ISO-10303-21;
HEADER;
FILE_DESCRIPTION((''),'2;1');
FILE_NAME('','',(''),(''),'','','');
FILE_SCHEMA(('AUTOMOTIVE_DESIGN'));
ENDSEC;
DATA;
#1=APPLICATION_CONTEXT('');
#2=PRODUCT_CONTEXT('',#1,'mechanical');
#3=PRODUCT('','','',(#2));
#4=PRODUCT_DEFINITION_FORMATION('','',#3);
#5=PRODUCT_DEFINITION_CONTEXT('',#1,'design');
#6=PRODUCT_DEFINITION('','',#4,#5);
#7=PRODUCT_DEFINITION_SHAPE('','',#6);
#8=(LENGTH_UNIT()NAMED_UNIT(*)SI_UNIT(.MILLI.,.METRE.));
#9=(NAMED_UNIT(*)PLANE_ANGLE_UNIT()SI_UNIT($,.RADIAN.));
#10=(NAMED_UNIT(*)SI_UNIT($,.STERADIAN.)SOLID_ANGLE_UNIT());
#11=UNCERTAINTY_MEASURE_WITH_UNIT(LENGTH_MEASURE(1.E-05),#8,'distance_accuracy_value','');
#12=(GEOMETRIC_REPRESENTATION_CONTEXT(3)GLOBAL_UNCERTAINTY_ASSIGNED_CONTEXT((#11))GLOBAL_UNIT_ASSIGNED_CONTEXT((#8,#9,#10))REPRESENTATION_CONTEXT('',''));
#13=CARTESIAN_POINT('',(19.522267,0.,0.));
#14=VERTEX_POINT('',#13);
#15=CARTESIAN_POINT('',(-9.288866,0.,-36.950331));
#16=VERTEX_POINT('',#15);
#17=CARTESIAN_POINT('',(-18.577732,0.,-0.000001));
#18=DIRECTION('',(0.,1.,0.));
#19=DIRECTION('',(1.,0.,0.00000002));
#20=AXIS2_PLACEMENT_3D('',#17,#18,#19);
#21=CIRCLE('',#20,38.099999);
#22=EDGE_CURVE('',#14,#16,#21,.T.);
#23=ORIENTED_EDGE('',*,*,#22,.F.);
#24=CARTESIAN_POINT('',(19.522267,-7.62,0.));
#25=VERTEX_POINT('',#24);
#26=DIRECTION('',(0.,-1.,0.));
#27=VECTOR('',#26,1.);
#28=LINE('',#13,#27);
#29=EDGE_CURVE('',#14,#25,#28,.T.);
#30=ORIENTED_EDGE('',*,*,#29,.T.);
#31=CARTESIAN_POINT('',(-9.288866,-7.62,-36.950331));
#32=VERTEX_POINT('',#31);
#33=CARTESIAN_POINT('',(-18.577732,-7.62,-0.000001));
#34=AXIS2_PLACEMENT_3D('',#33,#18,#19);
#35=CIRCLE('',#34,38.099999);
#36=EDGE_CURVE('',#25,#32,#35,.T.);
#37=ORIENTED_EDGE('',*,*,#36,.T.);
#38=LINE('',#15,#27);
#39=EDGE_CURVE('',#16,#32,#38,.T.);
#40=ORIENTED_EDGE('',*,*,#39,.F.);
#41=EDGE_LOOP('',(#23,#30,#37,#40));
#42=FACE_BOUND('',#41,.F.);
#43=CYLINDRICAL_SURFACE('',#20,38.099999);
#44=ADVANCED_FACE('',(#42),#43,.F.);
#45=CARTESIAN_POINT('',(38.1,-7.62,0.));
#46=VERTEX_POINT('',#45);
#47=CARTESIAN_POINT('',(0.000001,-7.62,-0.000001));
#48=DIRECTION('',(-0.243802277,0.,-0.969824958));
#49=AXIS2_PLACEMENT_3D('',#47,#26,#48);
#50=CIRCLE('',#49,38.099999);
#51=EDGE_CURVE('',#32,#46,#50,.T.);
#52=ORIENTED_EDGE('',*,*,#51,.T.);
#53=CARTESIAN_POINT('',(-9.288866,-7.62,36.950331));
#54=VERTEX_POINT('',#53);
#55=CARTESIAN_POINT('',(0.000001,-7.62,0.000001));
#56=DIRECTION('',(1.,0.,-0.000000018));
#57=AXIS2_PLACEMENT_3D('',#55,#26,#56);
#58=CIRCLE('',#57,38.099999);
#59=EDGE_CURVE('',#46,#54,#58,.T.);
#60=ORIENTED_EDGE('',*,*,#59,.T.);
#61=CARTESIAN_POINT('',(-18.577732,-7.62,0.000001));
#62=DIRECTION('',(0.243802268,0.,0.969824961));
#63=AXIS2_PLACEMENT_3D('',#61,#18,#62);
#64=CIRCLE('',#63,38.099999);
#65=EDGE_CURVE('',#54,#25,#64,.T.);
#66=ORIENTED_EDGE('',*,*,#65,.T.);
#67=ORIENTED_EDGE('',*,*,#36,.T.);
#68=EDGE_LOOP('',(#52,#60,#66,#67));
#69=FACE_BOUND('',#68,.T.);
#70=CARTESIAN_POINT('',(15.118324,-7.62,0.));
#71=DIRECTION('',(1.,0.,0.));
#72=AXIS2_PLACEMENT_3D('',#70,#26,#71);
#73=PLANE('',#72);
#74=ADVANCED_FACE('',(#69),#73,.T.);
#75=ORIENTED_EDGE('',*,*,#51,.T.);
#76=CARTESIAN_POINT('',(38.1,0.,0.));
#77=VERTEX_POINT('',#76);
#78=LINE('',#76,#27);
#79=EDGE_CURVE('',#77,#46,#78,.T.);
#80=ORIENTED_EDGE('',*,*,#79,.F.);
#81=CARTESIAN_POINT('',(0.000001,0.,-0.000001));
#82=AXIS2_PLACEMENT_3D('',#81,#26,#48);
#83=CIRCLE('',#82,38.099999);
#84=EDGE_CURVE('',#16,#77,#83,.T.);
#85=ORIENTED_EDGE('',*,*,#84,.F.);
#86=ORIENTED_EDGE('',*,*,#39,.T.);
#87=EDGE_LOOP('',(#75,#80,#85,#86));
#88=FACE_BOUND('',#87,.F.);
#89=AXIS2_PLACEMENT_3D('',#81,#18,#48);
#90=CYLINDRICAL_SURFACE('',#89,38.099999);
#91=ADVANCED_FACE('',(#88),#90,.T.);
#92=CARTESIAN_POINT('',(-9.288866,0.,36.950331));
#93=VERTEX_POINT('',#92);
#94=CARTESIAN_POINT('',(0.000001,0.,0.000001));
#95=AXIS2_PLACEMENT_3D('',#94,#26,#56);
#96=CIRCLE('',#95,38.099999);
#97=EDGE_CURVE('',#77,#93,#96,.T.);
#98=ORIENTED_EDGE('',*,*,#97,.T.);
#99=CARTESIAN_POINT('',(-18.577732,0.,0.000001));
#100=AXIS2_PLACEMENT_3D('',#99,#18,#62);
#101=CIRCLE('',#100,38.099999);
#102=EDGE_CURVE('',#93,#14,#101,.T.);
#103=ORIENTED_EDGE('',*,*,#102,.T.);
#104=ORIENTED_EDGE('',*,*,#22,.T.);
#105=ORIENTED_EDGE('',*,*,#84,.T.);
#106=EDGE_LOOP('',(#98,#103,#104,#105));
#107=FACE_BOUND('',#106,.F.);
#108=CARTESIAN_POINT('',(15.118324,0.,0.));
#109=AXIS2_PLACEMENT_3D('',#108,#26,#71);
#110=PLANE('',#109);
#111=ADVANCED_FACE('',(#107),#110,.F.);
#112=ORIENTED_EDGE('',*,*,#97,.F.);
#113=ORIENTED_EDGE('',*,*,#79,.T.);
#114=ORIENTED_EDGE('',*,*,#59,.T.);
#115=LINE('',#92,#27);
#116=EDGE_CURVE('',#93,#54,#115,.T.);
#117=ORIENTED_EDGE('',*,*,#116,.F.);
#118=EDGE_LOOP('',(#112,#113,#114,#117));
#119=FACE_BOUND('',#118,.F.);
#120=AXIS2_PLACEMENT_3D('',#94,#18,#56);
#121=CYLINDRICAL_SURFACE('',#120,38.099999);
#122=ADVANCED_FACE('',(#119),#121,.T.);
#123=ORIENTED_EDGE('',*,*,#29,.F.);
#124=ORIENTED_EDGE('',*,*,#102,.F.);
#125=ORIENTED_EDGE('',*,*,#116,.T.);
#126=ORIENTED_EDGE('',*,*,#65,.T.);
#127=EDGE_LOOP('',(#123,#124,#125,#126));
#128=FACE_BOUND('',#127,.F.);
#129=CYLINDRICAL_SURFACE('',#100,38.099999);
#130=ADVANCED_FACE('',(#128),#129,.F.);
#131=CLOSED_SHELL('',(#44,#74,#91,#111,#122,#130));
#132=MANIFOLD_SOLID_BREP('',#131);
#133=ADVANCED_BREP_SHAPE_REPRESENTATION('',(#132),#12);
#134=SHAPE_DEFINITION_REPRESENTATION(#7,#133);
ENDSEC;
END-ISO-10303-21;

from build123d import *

# Parameters (mm, degrees)
F1_DEPTH = 7.62


with BuildPart() as f1:
    # F0 (on Front) → F1 (new body)
    with BuildSketch(Plane.XZ):
        with BuildLine():
            ThreePointArc((-9.288866, -36.950331), (23.427593, -30.04593), (38.1, 0))
            ThreePointArc((38.1, 0), (23.427593, 30.04593), (-9.288866, 36.950331))
            ThreePointArc((-9.288866, 36.950331), (11.468197, 23.427593), (19.522267, 0))
            ThreePointArc((19.522267, 0), (11.468197, -23.427593), (-9.288866, -36.950331))
        make_face()
    extrude(amount=F1_DEPTH)


solid = f1.part
